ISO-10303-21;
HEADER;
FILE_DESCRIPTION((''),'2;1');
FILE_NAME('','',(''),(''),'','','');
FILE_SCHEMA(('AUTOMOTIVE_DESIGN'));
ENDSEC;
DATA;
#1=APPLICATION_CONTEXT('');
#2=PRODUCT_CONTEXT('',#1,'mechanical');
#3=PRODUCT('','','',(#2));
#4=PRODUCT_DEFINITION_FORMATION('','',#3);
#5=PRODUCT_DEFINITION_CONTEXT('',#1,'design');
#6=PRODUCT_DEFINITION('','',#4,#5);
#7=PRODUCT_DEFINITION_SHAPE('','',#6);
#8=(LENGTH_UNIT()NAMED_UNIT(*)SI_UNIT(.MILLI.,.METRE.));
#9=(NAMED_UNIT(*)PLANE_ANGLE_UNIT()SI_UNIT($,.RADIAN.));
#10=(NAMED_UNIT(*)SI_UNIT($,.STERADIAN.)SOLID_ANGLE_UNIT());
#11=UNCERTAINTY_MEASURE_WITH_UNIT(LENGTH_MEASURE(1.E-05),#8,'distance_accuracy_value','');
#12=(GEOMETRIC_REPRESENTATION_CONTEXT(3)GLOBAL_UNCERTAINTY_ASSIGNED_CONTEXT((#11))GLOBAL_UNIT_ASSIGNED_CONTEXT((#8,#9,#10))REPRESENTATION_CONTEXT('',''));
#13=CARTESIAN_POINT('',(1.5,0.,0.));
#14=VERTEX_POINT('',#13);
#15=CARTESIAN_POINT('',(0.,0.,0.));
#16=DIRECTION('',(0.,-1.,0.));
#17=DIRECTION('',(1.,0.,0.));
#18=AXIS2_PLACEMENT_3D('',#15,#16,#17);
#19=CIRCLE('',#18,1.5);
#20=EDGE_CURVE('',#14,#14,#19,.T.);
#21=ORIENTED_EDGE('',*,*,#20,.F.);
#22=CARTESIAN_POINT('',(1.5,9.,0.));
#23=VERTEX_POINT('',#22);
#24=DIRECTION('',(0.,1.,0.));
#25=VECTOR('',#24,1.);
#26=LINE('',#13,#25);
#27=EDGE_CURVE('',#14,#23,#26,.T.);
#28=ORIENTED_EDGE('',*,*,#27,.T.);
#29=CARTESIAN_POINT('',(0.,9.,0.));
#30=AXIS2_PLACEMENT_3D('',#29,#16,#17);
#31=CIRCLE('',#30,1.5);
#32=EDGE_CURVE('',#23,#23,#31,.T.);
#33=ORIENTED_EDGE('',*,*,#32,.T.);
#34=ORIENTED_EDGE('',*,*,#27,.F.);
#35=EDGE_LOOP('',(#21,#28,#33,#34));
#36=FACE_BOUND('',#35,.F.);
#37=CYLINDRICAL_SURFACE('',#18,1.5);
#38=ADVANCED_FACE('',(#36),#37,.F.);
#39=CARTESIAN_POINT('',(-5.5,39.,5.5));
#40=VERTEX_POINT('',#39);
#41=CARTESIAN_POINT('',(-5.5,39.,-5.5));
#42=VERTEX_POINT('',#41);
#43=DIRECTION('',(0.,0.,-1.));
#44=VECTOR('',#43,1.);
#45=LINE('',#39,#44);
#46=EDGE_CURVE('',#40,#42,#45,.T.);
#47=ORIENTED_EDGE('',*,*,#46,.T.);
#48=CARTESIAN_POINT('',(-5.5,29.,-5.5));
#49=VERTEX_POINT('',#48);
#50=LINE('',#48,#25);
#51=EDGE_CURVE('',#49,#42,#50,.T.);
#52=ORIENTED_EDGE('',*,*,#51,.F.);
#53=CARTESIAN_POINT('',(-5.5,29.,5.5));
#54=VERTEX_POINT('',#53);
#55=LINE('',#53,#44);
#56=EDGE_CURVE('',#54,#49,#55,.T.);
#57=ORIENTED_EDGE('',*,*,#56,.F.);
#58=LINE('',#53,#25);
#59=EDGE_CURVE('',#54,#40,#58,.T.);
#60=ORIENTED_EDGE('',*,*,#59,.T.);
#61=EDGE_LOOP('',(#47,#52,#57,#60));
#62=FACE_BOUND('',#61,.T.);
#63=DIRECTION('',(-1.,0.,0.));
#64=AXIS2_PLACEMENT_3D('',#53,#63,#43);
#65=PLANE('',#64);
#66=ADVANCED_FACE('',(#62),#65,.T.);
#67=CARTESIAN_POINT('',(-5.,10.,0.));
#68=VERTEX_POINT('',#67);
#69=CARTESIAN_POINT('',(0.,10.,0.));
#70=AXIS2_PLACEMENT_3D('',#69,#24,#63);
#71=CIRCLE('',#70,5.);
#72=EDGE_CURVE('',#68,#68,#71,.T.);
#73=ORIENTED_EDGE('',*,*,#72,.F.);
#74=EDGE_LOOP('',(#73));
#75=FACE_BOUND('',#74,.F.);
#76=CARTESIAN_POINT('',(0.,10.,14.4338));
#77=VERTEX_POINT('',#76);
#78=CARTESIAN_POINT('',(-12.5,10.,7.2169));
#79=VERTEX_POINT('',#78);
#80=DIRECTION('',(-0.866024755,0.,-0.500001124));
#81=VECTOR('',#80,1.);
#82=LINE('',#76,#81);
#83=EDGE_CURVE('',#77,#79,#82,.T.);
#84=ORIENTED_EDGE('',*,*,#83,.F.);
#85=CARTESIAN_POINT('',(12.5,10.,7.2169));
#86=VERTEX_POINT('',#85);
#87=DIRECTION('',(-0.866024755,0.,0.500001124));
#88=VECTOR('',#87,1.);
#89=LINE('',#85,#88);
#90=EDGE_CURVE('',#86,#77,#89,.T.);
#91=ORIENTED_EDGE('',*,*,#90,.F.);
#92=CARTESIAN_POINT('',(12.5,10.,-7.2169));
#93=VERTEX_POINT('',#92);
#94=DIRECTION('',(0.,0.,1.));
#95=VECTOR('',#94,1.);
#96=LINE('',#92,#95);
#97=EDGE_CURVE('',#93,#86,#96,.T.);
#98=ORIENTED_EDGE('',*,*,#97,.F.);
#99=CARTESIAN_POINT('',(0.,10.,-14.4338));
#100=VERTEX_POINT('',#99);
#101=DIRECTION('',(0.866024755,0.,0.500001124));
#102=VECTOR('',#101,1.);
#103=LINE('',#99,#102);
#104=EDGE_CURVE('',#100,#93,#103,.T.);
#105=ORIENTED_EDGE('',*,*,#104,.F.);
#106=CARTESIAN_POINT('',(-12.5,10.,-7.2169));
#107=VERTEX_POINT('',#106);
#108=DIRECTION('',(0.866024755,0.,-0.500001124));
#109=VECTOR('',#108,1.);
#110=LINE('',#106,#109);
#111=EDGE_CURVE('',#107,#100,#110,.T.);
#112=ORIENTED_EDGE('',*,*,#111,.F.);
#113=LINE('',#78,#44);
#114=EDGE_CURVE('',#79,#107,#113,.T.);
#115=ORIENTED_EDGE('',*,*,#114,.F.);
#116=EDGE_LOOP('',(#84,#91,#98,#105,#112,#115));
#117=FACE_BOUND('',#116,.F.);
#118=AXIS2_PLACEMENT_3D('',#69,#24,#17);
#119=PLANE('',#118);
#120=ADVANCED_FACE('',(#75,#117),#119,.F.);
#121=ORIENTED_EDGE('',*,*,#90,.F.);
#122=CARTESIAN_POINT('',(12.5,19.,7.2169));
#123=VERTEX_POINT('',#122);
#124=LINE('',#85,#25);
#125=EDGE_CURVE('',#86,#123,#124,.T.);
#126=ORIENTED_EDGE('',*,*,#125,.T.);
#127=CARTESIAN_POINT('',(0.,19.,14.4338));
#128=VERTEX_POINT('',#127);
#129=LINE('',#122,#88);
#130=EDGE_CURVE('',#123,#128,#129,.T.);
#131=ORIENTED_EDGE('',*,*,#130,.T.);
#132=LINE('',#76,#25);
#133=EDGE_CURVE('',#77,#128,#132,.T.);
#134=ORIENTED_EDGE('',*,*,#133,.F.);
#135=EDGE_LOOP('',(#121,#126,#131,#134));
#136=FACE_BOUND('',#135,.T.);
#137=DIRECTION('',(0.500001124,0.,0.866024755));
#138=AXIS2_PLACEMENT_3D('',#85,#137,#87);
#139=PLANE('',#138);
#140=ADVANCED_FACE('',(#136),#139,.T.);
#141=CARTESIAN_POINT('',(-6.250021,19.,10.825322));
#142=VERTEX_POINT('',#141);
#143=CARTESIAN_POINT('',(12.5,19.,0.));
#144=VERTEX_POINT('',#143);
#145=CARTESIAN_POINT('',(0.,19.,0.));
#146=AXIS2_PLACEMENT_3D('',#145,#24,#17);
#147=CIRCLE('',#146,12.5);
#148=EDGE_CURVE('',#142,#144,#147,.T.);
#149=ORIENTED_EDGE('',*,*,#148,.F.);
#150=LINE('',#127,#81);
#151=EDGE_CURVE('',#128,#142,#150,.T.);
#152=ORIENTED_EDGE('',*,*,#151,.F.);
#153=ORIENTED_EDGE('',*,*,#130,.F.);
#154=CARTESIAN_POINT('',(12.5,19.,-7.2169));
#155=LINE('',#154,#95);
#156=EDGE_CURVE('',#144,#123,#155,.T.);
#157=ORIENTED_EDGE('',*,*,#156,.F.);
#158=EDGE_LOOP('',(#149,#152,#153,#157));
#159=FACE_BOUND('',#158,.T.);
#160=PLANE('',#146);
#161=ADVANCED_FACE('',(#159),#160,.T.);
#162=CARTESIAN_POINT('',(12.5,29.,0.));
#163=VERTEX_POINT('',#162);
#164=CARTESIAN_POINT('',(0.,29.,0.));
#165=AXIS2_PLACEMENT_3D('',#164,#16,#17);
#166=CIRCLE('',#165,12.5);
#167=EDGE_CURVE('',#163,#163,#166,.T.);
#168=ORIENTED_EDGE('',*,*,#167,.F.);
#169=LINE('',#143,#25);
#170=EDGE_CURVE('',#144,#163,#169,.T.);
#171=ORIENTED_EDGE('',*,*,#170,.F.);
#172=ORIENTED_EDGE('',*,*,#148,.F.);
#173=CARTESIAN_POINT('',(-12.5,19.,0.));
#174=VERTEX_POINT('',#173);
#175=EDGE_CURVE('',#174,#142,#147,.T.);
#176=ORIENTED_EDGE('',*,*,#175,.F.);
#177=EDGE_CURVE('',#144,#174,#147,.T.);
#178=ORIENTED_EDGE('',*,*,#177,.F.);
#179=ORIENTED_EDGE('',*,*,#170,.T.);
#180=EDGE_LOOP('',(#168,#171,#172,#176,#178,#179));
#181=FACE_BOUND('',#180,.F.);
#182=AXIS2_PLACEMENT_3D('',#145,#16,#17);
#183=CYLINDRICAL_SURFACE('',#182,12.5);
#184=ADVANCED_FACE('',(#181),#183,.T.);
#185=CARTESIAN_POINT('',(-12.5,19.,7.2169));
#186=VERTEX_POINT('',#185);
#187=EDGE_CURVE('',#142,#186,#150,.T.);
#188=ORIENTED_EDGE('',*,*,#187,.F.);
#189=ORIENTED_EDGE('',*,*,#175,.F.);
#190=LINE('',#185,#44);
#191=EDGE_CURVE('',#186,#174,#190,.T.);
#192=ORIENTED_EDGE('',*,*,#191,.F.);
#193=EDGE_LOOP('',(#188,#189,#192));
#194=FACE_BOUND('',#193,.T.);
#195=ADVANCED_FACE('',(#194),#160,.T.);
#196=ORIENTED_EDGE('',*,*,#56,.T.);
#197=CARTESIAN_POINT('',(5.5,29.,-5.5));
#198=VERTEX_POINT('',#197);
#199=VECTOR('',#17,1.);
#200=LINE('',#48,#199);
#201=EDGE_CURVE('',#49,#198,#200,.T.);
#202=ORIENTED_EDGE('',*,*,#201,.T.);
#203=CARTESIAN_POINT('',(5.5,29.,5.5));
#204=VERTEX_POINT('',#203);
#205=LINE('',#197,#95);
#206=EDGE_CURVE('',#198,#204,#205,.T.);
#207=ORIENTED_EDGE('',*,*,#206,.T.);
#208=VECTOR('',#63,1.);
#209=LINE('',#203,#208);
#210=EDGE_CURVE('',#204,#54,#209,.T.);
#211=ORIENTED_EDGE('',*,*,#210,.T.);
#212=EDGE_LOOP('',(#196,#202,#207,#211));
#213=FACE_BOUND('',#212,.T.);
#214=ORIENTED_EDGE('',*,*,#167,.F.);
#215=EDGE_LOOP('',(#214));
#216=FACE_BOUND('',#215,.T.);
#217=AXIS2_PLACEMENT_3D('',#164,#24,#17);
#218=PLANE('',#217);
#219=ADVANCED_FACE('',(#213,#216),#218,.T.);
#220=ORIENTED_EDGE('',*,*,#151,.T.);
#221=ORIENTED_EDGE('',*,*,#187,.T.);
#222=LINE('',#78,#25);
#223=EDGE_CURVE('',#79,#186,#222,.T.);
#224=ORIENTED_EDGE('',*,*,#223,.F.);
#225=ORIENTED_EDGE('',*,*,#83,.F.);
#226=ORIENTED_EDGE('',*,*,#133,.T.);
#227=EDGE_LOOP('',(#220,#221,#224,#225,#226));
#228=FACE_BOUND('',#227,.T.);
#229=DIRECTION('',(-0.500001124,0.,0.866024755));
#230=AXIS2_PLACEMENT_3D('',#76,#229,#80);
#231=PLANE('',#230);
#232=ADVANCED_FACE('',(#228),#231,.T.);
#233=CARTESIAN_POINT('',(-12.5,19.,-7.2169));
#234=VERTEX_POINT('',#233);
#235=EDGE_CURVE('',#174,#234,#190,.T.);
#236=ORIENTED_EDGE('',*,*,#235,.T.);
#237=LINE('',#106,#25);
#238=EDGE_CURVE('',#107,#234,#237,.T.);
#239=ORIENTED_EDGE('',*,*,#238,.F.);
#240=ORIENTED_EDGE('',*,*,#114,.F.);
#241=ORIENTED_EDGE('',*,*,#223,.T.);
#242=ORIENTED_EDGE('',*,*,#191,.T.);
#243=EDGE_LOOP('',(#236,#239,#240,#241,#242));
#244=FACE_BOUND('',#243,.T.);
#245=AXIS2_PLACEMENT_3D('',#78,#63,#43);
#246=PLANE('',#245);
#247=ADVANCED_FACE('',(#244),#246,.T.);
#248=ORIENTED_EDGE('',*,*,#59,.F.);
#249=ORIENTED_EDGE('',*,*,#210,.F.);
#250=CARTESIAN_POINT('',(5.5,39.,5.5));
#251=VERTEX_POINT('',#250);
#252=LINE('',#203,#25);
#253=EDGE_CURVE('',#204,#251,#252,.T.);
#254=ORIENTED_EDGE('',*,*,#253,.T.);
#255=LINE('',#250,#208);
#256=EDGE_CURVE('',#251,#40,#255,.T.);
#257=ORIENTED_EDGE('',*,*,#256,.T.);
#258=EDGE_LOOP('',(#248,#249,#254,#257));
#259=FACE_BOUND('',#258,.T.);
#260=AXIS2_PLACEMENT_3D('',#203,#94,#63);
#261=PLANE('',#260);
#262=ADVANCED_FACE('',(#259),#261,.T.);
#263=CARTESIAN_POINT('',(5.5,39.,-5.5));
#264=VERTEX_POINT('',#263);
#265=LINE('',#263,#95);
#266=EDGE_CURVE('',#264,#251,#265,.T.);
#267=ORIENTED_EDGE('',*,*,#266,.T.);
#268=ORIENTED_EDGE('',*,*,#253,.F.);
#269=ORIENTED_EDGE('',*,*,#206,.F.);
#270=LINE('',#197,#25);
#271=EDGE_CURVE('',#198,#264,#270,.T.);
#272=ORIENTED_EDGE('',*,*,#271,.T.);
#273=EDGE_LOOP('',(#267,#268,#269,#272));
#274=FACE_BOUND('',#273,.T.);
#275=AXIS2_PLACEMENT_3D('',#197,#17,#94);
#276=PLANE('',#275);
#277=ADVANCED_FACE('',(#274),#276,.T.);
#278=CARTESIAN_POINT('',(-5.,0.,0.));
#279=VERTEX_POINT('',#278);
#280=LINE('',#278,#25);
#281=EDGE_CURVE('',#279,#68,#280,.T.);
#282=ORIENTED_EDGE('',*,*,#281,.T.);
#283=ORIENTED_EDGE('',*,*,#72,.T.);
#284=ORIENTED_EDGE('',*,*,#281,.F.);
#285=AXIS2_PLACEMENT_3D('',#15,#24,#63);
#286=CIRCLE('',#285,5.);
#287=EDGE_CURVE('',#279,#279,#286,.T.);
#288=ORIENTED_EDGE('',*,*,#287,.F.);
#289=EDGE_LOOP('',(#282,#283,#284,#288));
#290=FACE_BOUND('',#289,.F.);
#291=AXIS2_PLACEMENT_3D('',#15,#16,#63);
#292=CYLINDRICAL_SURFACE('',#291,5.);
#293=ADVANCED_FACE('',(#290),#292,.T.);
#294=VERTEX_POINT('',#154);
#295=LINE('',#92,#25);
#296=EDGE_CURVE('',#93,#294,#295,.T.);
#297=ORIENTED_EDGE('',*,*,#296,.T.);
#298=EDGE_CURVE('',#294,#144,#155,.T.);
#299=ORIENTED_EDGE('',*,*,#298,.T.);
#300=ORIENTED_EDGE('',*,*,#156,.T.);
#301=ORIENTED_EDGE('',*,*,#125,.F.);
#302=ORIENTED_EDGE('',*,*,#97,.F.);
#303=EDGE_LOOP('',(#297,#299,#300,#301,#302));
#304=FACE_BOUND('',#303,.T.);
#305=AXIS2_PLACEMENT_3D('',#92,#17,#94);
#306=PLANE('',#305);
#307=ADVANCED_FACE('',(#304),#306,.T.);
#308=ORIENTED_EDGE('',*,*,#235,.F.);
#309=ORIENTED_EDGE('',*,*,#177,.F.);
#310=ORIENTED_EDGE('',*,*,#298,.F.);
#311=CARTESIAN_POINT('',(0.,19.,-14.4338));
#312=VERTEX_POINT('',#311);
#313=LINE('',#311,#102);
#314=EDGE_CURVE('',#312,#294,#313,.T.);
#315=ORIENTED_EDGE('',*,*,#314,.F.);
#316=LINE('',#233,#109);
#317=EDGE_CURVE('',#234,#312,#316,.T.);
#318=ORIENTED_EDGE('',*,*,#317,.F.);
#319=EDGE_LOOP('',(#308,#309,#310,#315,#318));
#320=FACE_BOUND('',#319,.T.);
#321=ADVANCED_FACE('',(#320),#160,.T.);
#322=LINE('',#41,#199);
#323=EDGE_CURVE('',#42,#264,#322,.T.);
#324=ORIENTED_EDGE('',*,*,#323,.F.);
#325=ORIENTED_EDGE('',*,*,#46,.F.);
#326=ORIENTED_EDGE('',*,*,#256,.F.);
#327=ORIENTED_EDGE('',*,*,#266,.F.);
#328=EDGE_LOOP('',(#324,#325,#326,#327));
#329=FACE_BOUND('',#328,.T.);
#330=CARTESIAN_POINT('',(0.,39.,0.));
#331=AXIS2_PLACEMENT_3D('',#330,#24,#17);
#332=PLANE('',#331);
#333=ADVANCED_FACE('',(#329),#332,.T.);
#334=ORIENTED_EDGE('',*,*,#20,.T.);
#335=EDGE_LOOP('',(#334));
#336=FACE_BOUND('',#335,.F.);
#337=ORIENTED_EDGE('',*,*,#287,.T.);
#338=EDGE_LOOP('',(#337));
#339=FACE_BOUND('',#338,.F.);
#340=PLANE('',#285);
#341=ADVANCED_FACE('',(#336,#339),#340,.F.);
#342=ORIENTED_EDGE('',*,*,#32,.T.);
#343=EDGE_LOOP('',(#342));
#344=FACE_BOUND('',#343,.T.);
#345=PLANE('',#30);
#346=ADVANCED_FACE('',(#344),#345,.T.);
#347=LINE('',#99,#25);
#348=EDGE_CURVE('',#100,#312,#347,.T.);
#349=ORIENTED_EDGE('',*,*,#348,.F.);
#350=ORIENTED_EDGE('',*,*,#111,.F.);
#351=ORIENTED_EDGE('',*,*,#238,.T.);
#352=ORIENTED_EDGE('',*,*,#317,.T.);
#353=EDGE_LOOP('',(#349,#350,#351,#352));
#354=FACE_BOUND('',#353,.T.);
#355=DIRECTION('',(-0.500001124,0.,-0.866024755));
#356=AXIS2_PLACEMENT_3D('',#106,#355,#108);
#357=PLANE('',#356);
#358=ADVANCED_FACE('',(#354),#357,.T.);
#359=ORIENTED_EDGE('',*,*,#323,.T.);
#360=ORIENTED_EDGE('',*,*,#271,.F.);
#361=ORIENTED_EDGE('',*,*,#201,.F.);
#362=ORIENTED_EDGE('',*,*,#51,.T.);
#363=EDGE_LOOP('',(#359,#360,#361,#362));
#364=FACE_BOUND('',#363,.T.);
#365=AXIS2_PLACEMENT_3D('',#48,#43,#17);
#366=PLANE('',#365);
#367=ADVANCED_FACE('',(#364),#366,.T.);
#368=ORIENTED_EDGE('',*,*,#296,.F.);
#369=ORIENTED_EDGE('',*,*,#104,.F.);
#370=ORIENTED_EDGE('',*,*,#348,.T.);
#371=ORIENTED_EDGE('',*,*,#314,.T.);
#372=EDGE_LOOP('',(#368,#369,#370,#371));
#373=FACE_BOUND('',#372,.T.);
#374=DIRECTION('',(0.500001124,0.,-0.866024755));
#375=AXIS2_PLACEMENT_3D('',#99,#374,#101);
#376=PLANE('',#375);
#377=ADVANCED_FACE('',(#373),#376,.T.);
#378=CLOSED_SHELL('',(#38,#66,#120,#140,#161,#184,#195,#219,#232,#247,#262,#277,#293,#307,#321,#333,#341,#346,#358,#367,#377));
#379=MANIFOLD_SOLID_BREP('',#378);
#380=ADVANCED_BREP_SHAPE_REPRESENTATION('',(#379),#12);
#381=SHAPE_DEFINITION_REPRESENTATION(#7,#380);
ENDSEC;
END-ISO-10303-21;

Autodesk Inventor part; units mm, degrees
ref_plane "XZ Plane" through (0, 0, 0) normal (0, 1, 0) x (-1, 0, 0)
ref_plane "XY Plane" through (0, 0, 0) normal (0, 0, 1) x (1, 0, 0)
sketch "Sketch2" plane through (0, 0, 0) normal (0, 1, 0) x (-1, 0, 0)
  circle A0 centre (0, 0) radius 5
  dimension "d0" = 10
extrude "Extrusion1" add sketch "Sketch2" along normal blind 10
sketch "Sketch3" plane through (0, 10, 0) normal (0, 1, 0) x (1, 0, 0)
  line L0 (0, -14.4338) -> (-12.5, -7.2169)
  line L1 (-12.5, -7.2169) -> (-12.5, 7.2169)
  line L2 (-12.5, 7.2169) -> (0, 14.4338)
  line L3 (0, 14.4338) -> (12.5, 7.2169)
  line L4 (12.5, 7.2169) -> (12.5, -7.2169)
  line L5 (12.5, -7.2169) -> (0, -14.4338)
  point P0 (0, 0)
  point P1 (0, 0)
  dimension "d14" = 25
extrude "Extrusion2" add sketch "Sketch3" along normal blind 9
sketch "Sketch4" plane through (0, 19, 0) normal (0, 1, 0) x (1, 0, 0)
  circle A0 centre (0, 0) radius 12.5
  line L0 (-12.5, -7.2169) -> (0, -14.4338) projected
extrude "Extrusion3" add sketch "Sketch4" along normal blind 10
sketch "Sketch5" plane through (0, 29, 0) normal (0, 1, 0) x (1, 0, 0)
  line L0 (5.5, -5.5) -> (-5.5, -5.5)
  line L1 (-5.5, -5.5) -> (-5.5, 5.5)
  line L2 (-5.5, 5.5) -> (5.5, 5.5)
  line L3 (5.5, 5.5) -> (5.5, -5.5)
  line L4 (5.5, -5.5) -> (-5.5, 5.5) construction
  line L5 (-5.5, -5.5) -> (5.5, 5.5) construction
  point P0 (0, 0)
  dimension "d7" = 11
  dimension "d8" = 11
extrude "Extrusion4" add sketch "Sketch5" along normal blind 10
thread "Thread1" size "1/8" designation "1/8 - 27 NPT" standard "NPT for PVC Pipe and Fitting" length 9.967
sketch "Sketch8" plane through (0, 0, 0) normal (0, -1, 0) x (1, 0, 0)
  circle A0 centre (0, 0) radius 1.5
  dimension "d24" = 3
extrude "Extrusion7" cut sketch "Sketch8" against normal blind 9
ref_plane "Work Plane1" through (0, 19, 0) normal (0.866, 0, 0.5) x (0, 1, 0)
equation "\"d8\" = d7"
properties part number "PressureSensor" material "Steel, Carbon"
